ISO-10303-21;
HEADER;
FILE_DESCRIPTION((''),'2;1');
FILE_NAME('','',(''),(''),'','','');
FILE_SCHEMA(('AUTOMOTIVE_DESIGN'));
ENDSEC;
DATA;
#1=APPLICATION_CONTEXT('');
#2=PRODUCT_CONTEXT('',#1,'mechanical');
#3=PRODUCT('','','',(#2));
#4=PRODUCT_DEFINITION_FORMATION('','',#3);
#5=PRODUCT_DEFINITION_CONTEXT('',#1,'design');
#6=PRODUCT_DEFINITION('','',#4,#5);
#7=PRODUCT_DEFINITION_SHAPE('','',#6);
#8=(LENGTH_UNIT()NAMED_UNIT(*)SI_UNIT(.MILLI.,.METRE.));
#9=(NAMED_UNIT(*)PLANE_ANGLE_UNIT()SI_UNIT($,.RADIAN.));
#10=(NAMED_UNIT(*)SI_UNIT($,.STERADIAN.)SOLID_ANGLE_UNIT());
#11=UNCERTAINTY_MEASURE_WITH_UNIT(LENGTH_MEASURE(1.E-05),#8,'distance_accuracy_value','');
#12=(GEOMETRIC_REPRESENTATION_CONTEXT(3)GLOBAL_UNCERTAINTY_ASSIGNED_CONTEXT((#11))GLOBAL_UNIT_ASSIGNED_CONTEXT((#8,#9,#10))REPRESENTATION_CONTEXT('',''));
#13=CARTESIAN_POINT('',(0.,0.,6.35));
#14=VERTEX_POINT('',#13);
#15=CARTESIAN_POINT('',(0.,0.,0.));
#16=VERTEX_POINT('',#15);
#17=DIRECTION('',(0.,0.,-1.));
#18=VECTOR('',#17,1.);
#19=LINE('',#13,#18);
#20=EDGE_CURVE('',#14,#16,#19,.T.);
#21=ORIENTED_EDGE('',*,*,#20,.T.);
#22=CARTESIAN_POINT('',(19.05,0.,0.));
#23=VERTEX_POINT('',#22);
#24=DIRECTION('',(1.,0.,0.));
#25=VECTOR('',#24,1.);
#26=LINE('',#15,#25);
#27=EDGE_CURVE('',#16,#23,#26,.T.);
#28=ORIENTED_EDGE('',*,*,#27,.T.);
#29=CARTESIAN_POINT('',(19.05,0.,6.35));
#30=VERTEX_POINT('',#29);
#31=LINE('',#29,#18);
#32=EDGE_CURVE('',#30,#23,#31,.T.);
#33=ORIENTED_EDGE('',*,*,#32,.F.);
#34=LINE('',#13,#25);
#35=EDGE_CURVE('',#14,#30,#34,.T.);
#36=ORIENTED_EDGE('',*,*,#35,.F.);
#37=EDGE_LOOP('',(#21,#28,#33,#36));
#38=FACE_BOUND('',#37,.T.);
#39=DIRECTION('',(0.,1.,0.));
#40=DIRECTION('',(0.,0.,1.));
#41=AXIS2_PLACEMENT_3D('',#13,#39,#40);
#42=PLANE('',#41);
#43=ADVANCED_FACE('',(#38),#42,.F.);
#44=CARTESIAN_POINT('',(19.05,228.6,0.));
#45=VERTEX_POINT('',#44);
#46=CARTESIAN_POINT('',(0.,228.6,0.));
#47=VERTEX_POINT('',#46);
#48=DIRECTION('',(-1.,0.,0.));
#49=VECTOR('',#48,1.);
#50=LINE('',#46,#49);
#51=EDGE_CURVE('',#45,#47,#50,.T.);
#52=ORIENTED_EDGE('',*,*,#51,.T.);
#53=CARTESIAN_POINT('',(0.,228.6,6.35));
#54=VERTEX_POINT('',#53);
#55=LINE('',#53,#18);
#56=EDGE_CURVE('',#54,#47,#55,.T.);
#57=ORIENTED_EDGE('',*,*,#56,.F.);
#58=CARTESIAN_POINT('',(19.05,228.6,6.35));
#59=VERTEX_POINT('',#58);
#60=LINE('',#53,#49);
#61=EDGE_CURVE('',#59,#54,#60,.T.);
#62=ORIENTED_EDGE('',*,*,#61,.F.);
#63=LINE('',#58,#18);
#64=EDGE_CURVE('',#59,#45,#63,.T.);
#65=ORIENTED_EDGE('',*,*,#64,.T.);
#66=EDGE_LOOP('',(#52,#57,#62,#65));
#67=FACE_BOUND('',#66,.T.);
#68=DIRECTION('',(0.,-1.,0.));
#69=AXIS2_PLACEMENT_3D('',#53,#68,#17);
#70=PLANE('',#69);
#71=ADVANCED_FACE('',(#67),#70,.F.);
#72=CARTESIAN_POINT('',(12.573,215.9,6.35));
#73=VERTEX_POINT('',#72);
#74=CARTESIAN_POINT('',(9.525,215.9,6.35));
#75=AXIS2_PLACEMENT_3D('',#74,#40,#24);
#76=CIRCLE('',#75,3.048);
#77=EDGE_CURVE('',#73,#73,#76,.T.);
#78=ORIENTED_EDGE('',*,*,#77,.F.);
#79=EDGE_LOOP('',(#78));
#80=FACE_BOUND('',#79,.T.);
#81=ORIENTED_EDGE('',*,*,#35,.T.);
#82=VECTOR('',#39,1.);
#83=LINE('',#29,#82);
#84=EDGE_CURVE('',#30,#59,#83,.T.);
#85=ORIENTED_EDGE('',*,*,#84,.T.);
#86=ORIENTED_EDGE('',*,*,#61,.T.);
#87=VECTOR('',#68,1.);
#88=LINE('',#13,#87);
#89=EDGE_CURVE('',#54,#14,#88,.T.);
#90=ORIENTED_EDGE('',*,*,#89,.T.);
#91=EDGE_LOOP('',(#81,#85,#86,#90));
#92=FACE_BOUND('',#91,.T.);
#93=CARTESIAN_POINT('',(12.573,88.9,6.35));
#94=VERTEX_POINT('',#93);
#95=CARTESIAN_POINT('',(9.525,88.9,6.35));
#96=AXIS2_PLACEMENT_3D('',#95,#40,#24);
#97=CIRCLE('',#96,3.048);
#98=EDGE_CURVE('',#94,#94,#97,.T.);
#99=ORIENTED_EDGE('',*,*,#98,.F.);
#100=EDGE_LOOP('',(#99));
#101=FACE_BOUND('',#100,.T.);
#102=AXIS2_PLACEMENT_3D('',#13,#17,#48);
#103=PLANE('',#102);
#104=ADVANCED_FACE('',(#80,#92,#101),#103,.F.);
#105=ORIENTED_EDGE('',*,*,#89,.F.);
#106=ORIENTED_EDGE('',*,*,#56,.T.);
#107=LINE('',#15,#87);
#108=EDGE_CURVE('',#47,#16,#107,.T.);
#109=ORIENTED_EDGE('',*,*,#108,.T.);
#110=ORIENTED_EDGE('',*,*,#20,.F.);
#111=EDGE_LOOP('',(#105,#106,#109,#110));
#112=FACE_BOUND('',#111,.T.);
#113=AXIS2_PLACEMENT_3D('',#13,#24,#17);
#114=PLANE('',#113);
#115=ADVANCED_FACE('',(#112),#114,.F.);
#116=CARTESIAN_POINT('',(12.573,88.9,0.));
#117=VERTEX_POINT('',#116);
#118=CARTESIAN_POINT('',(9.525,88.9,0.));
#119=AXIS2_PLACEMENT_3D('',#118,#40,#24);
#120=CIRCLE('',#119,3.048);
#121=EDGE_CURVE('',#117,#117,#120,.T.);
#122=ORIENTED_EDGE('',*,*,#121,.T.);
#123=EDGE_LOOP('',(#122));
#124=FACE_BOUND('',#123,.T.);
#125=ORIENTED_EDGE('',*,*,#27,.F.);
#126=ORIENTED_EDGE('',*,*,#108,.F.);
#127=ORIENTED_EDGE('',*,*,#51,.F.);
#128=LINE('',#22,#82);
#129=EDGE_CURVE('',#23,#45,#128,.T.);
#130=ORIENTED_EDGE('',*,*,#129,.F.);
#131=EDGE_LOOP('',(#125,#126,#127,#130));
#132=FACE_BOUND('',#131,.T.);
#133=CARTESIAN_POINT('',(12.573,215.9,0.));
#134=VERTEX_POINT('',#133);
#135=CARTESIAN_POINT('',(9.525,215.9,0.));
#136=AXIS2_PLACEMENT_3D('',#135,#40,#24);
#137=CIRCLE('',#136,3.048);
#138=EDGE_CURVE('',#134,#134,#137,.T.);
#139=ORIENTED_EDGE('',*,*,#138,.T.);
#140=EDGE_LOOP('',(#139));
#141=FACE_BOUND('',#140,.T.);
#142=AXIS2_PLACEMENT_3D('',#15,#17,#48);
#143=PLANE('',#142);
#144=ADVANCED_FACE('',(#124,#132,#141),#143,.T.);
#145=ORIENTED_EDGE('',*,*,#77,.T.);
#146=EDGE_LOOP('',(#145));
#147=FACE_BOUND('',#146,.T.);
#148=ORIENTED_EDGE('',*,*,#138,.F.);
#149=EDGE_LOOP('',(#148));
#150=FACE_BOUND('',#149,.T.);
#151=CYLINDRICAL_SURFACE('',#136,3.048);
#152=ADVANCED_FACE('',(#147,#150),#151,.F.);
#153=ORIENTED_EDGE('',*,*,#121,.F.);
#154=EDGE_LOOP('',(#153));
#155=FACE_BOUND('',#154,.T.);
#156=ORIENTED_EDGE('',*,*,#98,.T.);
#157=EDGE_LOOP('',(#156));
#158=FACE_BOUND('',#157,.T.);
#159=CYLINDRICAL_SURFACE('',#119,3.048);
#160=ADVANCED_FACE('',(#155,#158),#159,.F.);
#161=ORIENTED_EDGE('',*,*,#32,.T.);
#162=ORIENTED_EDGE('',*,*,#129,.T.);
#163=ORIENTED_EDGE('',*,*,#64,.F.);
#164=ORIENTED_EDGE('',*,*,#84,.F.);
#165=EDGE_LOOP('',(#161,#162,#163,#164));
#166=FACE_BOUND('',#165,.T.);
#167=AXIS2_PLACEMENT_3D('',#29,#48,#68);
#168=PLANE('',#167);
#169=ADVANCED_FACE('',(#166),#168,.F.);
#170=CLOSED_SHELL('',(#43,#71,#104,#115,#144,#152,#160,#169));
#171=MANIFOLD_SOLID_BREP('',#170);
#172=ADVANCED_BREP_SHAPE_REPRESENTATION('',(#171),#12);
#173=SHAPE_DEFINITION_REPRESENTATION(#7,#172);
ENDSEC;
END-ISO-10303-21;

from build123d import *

# Parameters (mm, degrees)
SKETCH1_W           = 19.05
SKETCH1_H           = 228.6
BOSS_EXTRUDE1_DEPTH = 6.35
SKETCH2_R           = 3.048
CUT_EXTRUDE1_DEPTH  = 6.35


with BuildPart() as part:
    # Sketch1 → Boss-Extrude1 (new body)
    with BuildSketch(Plane.XY):
        with Locations((9.525, 114.3)):
            Rectangle(SKETCH1_W, SKETCH1_H)
    extrude(amount=BOSS_EXTRUDE1_DEPTH)

    # Sketch2 → Cut-Extrude1 (cut)
    with BuildSketch(Plane.XY.offset(6.35)):
        with Locations((9.525, 215.9)):
            Circle(SKETCH2_R)
        with Locations((9.525, 88.9)):
            Circle(SKETCH2_R)
    extrude(amount=-CUT_EXTRUDE1_DEPTH, mode=Mode.SUBTRACT)


solid = part.part
